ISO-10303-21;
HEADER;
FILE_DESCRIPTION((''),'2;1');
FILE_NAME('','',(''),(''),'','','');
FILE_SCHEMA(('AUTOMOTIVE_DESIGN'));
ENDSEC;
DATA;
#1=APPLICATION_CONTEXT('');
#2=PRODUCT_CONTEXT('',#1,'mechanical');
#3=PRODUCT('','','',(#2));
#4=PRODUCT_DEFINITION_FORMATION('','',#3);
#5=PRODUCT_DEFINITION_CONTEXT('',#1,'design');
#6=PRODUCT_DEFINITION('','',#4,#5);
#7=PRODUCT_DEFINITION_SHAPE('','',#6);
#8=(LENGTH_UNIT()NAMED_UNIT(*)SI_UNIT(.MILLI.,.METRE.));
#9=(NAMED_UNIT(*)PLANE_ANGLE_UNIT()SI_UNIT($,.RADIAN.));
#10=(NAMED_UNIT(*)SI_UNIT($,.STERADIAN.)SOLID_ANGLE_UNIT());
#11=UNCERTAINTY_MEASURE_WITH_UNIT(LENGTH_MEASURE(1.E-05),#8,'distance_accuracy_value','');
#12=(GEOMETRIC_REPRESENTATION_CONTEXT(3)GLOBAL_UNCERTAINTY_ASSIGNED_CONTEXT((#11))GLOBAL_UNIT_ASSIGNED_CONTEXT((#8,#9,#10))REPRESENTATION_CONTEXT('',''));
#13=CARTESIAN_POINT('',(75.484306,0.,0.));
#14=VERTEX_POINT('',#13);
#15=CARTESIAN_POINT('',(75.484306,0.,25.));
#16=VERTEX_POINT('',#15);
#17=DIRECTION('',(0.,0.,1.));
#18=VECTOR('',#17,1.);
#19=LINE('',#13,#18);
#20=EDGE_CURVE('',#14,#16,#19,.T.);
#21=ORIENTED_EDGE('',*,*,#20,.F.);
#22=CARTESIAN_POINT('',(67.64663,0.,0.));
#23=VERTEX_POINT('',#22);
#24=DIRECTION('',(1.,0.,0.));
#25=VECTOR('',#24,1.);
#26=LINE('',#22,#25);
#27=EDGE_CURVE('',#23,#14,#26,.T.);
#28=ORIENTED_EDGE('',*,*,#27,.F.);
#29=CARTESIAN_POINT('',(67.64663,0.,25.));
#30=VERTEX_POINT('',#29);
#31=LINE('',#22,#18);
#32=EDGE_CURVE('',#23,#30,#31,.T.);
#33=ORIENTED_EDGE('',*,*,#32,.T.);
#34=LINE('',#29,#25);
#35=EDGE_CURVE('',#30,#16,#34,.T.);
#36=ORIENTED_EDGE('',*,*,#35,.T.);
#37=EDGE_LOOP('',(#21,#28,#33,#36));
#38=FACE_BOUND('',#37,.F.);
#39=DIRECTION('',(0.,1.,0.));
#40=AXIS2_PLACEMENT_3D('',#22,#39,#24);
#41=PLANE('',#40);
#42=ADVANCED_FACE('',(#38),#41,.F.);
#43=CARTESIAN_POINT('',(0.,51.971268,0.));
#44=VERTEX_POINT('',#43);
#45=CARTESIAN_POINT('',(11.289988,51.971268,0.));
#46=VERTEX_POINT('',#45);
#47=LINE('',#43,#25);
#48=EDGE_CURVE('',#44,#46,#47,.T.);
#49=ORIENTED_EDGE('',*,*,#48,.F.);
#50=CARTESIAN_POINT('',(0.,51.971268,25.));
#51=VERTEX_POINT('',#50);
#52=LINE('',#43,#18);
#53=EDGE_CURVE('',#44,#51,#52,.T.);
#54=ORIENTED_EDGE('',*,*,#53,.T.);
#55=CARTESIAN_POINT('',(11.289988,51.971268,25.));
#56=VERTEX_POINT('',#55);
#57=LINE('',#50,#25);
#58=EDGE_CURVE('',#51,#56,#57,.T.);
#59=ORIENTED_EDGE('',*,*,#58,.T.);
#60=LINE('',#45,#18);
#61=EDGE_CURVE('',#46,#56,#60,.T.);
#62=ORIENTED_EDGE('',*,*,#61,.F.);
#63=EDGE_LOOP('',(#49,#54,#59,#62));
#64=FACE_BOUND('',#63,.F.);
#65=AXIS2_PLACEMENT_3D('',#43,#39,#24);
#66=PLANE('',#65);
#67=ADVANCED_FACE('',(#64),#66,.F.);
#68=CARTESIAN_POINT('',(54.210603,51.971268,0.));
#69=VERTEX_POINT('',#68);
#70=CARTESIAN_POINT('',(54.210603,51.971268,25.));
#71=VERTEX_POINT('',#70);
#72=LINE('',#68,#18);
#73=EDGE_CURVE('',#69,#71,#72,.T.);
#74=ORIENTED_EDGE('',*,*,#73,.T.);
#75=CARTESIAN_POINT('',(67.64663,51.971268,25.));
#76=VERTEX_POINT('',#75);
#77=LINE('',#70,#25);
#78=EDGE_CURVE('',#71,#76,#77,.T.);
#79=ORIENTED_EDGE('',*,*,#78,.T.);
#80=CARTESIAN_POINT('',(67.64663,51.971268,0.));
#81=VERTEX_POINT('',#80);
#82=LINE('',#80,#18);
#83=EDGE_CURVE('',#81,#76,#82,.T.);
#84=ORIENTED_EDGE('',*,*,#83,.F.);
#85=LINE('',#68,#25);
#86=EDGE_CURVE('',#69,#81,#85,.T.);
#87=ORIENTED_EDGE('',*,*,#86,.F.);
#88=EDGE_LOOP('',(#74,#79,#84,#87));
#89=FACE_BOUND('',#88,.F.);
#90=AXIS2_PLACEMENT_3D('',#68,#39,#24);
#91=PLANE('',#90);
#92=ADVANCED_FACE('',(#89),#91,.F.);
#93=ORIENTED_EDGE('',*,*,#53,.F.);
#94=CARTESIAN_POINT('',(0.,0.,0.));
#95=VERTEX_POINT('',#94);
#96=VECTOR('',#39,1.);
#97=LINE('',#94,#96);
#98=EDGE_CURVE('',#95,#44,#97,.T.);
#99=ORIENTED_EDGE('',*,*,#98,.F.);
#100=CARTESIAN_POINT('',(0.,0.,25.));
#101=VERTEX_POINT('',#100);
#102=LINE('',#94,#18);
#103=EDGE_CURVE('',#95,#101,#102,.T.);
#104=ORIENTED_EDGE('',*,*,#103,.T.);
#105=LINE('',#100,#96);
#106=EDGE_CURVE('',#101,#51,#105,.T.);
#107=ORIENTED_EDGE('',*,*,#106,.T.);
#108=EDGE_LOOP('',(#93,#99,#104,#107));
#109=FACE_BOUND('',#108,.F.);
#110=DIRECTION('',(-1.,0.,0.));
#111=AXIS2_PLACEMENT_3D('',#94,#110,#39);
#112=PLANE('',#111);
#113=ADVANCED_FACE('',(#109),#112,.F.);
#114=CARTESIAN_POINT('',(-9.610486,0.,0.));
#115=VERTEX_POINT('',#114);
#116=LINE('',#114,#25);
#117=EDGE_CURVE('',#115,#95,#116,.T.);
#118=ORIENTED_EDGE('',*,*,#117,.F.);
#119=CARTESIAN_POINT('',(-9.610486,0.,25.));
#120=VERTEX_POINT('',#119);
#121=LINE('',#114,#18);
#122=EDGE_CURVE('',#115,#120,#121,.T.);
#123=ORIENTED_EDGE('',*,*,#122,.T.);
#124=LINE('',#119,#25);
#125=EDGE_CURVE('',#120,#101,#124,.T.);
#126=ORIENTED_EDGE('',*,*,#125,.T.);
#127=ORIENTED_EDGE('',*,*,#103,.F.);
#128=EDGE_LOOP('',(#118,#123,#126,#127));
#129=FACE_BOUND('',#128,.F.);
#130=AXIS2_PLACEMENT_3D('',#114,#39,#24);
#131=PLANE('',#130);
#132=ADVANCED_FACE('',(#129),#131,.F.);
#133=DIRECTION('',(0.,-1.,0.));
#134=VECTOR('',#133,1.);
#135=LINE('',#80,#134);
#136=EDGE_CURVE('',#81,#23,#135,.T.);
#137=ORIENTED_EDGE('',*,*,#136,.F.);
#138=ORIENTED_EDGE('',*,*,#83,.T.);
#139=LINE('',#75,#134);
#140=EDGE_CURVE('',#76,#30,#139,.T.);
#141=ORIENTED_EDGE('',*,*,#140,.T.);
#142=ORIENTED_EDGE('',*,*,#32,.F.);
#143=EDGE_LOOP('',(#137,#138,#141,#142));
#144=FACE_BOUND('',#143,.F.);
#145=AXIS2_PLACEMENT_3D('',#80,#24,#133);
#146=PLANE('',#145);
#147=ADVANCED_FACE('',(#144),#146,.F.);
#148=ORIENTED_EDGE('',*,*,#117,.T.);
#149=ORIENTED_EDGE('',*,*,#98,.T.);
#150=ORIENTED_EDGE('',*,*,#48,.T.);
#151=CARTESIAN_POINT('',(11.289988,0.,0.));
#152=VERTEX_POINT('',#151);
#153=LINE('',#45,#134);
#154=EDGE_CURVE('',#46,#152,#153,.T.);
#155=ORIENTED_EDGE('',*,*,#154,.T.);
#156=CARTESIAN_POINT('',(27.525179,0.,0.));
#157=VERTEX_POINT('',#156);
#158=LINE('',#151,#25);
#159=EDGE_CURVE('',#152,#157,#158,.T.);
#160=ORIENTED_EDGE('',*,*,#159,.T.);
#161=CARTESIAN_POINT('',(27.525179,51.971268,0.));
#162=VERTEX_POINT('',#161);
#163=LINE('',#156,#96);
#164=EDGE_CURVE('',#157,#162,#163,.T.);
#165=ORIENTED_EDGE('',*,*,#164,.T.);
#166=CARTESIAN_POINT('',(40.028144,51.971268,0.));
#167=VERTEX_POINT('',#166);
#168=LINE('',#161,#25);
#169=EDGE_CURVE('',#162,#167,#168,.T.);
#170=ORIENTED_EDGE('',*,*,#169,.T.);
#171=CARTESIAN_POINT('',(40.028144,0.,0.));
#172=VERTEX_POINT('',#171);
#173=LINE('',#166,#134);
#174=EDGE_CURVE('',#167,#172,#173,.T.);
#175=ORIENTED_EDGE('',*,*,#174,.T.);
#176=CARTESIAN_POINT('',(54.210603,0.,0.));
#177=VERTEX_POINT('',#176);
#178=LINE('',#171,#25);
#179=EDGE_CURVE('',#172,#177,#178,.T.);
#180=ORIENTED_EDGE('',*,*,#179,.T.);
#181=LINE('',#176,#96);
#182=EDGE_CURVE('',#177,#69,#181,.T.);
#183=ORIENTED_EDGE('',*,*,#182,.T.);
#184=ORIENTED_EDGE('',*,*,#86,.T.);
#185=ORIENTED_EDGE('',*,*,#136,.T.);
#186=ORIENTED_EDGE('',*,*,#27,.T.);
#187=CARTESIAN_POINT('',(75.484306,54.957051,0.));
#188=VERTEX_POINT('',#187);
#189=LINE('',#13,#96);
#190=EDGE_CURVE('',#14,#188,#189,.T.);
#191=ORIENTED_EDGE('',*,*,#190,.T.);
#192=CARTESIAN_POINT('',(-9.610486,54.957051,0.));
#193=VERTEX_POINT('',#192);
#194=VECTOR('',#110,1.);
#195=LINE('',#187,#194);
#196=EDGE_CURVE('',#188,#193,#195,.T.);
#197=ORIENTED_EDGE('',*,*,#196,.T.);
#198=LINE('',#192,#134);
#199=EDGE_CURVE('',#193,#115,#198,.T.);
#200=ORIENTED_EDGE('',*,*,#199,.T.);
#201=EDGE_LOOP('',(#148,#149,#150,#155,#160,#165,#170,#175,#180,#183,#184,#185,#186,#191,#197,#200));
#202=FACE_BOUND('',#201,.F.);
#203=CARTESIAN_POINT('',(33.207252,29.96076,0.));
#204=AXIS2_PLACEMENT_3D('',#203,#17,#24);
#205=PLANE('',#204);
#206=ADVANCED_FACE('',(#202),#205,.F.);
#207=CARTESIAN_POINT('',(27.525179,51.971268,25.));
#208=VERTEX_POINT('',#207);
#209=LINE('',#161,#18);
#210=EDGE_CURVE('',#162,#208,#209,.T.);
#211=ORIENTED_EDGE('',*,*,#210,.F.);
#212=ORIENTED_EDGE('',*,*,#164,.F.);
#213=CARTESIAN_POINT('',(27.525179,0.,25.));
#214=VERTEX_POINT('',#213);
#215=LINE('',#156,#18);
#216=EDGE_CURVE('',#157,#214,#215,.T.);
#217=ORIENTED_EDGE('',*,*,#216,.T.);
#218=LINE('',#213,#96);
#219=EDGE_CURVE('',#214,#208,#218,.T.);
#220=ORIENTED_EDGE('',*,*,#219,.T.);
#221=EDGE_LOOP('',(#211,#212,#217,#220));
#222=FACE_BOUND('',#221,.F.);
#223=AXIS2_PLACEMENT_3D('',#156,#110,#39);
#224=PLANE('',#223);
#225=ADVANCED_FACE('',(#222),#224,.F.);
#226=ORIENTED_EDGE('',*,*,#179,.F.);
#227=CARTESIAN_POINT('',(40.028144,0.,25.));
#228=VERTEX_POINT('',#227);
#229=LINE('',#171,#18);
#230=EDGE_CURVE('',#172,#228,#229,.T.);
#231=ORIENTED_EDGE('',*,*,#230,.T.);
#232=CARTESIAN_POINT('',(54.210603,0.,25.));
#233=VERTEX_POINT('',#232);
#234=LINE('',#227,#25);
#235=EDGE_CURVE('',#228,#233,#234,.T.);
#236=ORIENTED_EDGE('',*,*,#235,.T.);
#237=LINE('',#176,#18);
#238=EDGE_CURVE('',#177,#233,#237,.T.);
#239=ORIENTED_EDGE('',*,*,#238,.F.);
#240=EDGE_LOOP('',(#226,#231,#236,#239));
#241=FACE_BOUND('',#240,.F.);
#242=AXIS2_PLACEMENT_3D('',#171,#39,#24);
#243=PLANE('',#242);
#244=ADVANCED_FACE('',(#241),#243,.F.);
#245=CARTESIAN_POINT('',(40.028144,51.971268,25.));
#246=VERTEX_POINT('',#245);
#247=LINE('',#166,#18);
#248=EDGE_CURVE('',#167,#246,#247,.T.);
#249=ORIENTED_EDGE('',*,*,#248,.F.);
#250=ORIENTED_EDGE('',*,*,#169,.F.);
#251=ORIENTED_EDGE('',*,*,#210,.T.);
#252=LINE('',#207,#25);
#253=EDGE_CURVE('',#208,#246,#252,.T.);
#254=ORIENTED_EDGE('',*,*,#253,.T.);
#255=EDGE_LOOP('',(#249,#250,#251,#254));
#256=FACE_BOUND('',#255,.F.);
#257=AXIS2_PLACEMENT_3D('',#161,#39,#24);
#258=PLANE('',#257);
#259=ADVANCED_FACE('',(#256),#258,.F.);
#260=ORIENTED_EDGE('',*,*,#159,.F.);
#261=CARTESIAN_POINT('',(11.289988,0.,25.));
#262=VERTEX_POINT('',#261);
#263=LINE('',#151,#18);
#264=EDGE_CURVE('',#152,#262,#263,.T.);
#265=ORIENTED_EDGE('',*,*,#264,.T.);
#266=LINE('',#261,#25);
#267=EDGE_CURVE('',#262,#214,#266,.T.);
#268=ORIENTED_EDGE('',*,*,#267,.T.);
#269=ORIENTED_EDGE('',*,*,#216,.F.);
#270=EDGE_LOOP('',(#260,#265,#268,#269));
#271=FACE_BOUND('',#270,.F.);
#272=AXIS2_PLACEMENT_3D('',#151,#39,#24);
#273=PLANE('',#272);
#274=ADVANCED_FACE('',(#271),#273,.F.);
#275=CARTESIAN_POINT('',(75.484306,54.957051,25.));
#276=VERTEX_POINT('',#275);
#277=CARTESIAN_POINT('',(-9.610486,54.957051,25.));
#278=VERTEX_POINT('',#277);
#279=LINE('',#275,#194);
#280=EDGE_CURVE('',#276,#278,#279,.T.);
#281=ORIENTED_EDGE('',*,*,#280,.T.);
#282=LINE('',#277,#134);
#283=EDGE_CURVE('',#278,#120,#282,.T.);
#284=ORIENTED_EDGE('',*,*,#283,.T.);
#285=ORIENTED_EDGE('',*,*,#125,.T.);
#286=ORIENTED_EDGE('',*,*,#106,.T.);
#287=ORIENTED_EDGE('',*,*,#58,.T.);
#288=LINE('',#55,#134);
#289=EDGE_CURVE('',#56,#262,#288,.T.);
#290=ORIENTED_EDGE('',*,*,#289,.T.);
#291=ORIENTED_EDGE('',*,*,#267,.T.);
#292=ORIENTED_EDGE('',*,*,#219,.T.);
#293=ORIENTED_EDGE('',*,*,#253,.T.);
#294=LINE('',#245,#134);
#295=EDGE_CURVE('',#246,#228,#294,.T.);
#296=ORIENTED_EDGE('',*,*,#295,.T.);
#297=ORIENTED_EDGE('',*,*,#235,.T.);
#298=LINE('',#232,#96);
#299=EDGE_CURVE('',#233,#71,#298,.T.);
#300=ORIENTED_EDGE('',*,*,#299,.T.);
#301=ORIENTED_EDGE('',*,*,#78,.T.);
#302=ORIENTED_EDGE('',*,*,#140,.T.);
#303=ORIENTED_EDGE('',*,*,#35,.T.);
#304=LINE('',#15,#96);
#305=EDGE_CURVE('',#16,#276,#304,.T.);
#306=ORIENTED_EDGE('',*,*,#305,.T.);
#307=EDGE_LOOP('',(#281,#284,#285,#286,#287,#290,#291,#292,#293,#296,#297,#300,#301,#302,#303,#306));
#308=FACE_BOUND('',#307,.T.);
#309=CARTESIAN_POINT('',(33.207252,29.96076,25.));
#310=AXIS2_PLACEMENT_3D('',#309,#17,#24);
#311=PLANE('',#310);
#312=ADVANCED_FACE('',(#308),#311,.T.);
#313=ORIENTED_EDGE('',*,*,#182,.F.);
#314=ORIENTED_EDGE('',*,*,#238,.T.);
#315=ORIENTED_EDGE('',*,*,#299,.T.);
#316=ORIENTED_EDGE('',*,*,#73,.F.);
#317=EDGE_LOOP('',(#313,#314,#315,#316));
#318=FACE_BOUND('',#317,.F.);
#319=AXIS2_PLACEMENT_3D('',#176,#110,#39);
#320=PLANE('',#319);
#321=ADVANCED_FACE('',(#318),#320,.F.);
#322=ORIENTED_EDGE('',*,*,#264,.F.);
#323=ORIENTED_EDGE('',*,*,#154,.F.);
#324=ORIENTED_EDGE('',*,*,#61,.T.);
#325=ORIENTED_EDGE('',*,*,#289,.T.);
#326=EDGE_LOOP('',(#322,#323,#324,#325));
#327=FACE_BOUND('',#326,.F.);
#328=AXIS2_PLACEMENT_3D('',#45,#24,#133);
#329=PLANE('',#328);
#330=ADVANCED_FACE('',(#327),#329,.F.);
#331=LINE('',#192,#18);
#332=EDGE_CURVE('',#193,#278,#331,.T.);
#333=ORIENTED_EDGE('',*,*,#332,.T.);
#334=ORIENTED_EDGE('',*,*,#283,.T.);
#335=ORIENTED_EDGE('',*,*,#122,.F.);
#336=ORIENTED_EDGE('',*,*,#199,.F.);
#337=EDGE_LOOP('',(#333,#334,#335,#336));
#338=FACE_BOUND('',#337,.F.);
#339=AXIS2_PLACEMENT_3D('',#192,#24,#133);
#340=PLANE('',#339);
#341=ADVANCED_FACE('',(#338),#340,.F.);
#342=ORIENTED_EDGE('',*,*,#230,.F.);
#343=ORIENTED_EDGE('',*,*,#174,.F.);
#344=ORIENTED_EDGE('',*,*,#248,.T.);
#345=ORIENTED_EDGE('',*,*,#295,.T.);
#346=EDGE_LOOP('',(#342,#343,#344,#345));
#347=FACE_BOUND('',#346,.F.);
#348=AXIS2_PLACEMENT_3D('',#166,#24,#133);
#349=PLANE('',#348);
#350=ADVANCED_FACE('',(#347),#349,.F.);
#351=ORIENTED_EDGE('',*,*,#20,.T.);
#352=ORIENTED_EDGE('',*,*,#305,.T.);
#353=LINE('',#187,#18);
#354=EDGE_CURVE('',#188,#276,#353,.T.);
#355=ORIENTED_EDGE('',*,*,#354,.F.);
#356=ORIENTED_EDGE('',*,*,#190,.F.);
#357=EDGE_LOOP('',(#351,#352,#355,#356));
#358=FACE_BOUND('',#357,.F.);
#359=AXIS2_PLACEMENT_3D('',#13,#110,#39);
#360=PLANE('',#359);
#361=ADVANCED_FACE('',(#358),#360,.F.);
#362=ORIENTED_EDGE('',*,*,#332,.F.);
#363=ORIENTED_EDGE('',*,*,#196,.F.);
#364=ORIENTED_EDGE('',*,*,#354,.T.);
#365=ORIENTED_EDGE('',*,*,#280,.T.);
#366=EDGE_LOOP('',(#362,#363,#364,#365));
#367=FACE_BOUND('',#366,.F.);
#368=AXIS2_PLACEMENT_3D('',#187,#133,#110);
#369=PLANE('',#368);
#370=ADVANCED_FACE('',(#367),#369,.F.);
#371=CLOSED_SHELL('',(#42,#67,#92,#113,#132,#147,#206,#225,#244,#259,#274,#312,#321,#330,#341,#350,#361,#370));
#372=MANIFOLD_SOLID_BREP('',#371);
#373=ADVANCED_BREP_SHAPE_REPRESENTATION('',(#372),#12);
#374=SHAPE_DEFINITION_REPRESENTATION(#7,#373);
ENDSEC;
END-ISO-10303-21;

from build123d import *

# Parameters (mm, degrees)
F1_DEPTH = 25


with BuildPart() as f1:
    # F0 (on Top) → F1 (new body)
    with BuildSketch(Plane.XY):
        Polygon((-9.610486, 0), (0, 0), (0, 51.971268), (11.289988, 51.971268), (11.289988, 0), (27.525179, 0), (27.525179, 51.971268), (40.028144, 51.971268), (40.028144, 0), (54.210603, 0), (54.210603, 51.971268), (67.64663, 51.971268), (67.64663, 0), (75.484306, 0), (75.484306, 54.957051), (-9.610486, 54.957051), align=None)
    extrude(amount=F1_DEPTH)


solid = f1.part
